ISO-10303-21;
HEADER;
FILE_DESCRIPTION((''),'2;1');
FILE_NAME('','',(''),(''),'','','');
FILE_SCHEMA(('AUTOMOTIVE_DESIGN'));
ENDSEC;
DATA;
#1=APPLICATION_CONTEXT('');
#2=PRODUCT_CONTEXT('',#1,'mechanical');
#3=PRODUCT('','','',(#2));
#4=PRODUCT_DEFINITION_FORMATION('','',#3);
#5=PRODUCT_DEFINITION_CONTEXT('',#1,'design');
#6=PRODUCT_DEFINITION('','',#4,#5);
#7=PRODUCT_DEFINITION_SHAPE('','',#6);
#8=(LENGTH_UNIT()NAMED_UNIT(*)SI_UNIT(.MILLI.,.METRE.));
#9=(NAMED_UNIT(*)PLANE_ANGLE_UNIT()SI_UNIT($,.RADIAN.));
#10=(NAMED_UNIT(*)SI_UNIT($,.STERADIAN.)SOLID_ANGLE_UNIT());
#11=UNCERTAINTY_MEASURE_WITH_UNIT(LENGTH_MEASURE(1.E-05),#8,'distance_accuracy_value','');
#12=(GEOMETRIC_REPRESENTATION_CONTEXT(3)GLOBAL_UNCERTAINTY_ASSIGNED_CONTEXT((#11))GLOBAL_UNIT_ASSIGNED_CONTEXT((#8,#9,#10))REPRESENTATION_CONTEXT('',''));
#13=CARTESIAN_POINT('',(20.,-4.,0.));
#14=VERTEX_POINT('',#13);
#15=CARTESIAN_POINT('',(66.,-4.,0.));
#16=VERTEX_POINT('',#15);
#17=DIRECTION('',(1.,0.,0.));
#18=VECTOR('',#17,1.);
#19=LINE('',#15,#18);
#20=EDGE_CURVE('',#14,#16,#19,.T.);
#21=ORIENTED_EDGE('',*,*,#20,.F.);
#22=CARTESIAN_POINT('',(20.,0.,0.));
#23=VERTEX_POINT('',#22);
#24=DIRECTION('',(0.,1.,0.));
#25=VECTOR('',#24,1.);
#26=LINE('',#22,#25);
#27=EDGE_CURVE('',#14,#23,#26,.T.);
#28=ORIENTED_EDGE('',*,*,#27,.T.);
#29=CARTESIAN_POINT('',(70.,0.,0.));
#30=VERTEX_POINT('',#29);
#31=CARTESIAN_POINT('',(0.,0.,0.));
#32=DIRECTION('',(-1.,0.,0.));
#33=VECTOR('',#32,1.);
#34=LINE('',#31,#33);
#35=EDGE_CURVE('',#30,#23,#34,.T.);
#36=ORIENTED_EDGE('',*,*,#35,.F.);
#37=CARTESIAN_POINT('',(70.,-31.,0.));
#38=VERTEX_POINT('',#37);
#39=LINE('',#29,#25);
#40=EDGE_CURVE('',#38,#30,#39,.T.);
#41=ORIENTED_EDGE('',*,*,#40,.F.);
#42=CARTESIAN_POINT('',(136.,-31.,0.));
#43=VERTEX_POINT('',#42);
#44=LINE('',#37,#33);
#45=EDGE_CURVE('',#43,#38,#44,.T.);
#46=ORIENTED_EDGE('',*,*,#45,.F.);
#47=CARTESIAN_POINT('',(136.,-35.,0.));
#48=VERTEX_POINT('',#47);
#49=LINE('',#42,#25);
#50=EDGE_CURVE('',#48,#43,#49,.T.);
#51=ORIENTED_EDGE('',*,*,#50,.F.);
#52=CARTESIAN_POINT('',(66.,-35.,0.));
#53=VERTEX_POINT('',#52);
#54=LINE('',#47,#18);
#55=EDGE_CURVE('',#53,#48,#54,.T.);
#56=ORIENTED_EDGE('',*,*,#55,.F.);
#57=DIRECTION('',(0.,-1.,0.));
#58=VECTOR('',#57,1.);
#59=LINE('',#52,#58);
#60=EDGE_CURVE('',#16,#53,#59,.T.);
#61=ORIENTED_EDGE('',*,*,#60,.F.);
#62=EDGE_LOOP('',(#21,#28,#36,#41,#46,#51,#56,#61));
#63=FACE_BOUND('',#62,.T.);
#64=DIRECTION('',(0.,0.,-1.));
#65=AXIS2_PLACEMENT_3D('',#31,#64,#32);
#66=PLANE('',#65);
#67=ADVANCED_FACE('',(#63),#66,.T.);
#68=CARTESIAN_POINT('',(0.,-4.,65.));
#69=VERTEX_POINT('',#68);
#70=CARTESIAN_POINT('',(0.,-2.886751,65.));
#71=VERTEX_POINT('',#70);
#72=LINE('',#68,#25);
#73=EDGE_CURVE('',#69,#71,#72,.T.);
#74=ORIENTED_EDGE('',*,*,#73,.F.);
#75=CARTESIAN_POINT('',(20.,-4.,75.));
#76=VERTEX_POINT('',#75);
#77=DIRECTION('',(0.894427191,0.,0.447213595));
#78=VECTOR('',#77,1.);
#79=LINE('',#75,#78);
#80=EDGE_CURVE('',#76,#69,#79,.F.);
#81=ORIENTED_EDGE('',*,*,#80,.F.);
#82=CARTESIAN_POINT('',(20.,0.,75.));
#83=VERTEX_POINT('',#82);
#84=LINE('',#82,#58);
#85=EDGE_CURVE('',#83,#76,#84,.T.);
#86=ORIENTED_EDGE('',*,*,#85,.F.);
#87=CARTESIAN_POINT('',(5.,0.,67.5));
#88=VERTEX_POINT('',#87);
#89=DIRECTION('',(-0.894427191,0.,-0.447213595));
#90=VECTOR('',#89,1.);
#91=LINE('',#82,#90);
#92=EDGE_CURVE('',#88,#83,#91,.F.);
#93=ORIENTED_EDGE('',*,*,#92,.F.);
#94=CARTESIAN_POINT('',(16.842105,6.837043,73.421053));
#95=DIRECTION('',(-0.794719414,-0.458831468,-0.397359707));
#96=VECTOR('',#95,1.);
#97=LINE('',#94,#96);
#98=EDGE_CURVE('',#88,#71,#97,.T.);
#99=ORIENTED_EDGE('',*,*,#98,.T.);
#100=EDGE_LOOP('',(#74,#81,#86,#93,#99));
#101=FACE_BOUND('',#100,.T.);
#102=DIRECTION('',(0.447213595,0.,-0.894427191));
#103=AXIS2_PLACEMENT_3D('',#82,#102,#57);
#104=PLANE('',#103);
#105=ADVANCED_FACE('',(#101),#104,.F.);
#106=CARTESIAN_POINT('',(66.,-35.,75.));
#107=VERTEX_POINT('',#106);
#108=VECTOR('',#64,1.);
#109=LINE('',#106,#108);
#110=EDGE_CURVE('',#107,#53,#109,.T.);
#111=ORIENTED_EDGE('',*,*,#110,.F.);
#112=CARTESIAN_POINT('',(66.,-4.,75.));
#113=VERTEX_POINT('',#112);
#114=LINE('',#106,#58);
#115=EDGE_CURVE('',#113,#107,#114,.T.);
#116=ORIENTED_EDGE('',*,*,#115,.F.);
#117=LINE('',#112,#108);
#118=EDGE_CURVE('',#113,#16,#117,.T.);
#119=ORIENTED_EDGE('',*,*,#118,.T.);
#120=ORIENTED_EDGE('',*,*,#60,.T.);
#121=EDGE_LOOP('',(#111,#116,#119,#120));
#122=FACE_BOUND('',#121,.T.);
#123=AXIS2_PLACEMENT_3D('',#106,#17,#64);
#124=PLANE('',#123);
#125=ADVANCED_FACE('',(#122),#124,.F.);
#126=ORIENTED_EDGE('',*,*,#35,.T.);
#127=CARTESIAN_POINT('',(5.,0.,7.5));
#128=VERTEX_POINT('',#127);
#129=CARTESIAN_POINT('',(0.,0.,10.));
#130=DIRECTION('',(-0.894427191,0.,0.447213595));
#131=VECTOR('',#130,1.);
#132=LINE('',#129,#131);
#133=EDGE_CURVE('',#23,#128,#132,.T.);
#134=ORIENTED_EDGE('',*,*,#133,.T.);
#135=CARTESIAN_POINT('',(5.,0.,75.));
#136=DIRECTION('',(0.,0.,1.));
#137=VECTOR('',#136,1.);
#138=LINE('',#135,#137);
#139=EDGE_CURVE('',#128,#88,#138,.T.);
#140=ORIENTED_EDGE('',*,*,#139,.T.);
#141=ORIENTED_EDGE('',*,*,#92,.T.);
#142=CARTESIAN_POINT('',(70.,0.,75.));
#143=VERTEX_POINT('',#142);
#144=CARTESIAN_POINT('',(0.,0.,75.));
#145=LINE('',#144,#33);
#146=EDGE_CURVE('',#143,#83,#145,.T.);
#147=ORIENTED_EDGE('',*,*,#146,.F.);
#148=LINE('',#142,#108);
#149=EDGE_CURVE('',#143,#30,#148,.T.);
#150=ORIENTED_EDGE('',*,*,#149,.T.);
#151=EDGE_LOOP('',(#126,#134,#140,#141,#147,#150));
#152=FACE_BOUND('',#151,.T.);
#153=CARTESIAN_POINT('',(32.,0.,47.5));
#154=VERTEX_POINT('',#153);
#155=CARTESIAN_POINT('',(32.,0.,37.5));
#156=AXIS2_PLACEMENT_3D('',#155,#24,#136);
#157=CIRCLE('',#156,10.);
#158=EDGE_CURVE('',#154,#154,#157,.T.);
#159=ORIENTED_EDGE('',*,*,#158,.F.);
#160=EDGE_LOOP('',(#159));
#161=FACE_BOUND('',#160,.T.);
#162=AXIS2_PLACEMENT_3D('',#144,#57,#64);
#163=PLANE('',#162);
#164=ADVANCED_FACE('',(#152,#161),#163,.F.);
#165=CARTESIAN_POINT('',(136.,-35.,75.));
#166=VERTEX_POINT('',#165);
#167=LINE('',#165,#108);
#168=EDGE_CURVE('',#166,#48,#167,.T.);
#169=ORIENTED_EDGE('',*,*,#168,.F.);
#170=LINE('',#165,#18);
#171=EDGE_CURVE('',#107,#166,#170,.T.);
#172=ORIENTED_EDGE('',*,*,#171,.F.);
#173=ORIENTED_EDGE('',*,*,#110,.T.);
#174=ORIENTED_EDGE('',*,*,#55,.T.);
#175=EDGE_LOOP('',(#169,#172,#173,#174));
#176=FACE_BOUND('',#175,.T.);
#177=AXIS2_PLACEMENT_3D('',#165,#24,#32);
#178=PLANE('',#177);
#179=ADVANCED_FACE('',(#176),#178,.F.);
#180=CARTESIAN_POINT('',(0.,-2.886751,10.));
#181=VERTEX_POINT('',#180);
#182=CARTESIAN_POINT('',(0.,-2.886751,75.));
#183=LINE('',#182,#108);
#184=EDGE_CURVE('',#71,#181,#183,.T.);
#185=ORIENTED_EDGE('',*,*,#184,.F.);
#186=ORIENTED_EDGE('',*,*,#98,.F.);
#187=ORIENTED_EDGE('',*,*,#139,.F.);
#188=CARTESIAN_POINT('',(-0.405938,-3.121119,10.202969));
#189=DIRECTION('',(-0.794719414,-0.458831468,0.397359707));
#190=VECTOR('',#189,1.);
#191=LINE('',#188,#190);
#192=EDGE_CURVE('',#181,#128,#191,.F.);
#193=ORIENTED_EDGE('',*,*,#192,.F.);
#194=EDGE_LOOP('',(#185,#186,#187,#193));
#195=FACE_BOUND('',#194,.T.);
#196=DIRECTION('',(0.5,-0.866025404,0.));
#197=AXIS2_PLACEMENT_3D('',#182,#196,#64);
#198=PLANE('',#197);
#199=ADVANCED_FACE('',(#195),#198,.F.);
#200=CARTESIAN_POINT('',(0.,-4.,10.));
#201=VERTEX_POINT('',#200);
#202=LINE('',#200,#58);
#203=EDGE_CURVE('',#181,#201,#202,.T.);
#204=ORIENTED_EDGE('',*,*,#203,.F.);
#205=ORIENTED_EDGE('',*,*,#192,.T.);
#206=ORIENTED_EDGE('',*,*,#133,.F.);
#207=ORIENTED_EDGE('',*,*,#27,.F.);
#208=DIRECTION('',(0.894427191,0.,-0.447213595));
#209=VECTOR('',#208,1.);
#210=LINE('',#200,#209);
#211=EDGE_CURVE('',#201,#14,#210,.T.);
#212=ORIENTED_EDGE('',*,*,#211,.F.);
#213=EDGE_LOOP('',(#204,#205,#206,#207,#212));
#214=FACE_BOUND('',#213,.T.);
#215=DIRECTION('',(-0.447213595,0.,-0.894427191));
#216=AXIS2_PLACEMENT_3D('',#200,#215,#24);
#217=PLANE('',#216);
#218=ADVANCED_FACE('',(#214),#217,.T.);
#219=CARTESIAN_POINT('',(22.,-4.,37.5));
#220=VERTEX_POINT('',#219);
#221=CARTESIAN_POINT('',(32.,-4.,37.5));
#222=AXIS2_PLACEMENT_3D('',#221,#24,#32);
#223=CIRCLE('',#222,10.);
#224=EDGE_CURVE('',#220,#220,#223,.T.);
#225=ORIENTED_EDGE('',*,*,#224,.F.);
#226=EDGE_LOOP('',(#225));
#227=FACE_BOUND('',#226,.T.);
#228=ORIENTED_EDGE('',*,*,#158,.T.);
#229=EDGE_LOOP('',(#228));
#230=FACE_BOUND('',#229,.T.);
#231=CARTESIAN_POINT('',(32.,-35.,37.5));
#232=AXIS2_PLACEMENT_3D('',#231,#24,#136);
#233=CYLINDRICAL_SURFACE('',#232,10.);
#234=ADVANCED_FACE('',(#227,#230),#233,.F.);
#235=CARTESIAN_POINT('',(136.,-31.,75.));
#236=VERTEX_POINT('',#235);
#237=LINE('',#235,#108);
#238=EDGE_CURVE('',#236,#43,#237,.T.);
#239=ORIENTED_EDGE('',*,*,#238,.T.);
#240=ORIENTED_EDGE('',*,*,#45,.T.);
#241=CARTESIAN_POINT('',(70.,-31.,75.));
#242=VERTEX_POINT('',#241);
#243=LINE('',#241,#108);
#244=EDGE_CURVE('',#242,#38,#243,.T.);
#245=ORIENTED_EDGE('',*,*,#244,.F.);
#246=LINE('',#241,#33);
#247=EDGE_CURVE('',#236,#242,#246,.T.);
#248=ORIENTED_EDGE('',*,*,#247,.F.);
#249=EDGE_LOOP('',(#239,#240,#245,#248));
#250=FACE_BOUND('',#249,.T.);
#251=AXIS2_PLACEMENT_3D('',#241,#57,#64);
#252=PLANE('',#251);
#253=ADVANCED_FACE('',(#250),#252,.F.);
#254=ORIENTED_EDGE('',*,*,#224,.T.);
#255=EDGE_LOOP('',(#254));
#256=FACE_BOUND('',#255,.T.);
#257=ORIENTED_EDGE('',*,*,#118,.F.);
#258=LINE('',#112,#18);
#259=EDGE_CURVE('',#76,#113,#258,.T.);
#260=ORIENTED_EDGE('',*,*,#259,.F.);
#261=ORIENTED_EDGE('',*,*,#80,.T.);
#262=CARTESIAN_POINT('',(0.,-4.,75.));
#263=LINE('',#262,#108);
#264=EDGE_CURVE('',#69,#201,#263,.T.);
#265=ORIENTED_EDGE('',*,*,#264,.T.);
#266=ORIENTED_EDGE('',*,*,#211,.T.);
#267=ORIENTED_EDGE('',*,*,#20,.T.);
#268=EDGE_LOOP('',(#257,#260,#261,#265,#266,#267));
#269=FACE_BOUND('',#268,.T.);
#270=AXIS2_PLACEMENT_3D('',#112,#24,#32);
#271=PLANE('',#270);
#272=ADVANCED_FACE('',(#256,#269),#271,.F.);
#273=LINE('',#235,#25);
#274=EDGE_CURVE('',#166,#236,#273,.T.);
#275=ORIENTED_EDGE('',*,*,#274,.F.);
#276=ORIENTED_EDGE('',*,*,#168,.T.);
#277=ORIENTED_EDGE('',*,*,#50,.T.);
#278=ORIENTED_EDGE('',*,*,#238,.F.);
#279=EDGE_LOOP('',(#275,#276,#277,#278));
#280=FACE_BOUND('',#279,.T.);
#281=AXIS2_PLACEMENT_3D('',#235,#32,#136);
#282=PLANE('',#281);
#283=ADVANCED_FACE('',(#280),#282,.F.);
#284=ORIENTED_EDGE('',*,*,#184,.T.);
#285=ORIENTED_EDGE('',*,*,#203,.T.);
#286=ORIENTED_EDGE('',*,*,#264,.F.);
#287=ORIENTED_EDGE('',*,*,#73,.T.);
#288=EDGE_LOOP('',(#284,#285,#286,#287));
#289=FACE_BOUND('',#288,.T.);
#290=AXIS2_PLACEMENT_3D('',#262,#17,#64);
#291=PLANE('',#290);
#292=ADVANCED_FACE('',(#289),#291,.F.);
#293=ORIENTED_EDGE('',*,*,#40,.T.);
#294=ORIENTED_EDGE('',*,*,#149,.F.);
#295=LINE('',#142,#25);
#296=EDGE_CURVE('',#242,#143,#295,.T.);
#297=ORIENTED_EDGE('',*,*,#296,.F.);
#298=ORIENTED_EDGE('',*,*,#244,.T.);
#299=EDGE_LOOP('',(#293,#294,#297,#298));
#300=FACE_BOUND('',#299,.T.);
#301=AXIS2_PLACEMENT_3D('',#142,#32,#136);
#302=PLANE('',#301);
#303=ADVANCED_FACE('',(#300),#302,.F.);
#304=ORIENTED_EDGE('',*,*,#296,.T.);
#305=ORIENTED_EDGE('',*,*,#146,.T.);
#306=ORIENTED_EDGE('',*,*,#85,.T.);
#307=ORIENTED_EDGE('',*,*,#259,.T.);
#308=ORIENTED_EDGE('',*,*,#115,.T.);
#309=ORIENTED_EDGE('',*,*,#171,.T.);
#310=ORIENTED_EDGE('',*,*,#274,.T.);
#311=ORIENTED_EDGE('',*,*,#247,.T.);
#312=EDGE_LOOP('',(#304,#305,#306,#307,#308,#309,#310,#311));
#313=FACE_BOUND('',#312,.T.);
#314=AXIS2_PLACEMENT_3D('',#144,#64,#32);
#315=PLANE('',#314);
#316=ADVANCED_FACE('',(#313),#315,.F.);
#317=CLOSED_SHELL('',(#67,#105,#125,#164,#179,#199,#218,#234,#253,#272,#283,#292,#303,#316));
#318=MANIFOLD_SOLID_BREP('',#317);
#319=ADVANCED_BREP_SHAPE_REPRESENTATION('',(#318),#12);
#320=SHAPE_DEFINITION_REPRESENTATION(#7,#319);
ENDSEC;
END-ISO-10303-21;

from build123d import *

# Parameters (mm, degrees)
BOSS_EXTRUDE1_DEPTH = 75
SKETCH2_R           = 10
CUT_EXTRUDE1_DEPTH  = 160.204271299
CHAMFER1_SIZE       = 10
CHAMFER1_SIZE2      = 20
CHAMFER2_SIZE       = 20
CHAMFER2_SIZE2      = 10
CHAMFER3_SIZE       = 5
CHAMFER3_SIZE2      = 2.886751346


with BuildPart() as part:
    # Sketch1 → Boss-Extrude1 (new body)
    with BuildSketch(Plane.XY):
        Polygon((0, 0), (70, 0), (70, -31), (136, -31), (136, -35), (66, -35), (66, -4), (0, -4), align=None)
    extrude(amount=BOSS_EXTRUDE1_DEPTH)

    # Sketch2 → Cut-Extrude1 (cut, through all)
    with BuildSketch(Plane(origin=(0, 0, 0), x_dir=(1, 0, 0), z_dir=(0, 1, 0))):
        with Locations(Location((32, -37.5, 0), (0, 0, 270))):
            Circle(SKETCH2_R)
    extrude(amount=-CUT_EXTRUDE1_DEPTH, mode=Mode.SUBTRACT)

    # Chamfer1
    chamfer1_edges = [part.edges().sort_by_distance(p)[0] for p in [
        (0, -2, 75),
    ]]
    chamfer1_side = [part.faces().sort_by_distance(p)[0] for p in [
        (0, -2, 37.5),
    ]]
    chamfer(chamfer1_edges, length=CHAMFER1_SIZE, length2=CHAMFER1_SIZE2, reference=chamfer1_side[0])

    # Chamfer2
    chamfer2_edges = [part.edges().sort_by_distance(p)[0] for p in [
        (0, -2, 0),
    ]]
    chamfer2_side = [part.faces().sort_by_distance(p)[0] for p in [
        (68, -17.5, 0),
    ]]
    chamfer(chamfer2_edges, length=CHAMFER2_SIZE, length2=CHAMFER2_SIZE2, reference=chamfer2_side[0])

    # Chamfer3
    chamfer3_edges = [part.edges().sort_by_distance(p)[0] for p in [
        (0, 0, 37.5),
    ]]
    chamfer3_side = [part.faces().sort_by_distance(p)[0] for p in [
        (1.025914226, 0, 37.5),
    ]]
    chamfer(chamfer3_edges, length=CHAMFER3_SIZE, length2=CHAMFER3_SIZE2, reference=chamfer3_side[0])


solid = part.part
